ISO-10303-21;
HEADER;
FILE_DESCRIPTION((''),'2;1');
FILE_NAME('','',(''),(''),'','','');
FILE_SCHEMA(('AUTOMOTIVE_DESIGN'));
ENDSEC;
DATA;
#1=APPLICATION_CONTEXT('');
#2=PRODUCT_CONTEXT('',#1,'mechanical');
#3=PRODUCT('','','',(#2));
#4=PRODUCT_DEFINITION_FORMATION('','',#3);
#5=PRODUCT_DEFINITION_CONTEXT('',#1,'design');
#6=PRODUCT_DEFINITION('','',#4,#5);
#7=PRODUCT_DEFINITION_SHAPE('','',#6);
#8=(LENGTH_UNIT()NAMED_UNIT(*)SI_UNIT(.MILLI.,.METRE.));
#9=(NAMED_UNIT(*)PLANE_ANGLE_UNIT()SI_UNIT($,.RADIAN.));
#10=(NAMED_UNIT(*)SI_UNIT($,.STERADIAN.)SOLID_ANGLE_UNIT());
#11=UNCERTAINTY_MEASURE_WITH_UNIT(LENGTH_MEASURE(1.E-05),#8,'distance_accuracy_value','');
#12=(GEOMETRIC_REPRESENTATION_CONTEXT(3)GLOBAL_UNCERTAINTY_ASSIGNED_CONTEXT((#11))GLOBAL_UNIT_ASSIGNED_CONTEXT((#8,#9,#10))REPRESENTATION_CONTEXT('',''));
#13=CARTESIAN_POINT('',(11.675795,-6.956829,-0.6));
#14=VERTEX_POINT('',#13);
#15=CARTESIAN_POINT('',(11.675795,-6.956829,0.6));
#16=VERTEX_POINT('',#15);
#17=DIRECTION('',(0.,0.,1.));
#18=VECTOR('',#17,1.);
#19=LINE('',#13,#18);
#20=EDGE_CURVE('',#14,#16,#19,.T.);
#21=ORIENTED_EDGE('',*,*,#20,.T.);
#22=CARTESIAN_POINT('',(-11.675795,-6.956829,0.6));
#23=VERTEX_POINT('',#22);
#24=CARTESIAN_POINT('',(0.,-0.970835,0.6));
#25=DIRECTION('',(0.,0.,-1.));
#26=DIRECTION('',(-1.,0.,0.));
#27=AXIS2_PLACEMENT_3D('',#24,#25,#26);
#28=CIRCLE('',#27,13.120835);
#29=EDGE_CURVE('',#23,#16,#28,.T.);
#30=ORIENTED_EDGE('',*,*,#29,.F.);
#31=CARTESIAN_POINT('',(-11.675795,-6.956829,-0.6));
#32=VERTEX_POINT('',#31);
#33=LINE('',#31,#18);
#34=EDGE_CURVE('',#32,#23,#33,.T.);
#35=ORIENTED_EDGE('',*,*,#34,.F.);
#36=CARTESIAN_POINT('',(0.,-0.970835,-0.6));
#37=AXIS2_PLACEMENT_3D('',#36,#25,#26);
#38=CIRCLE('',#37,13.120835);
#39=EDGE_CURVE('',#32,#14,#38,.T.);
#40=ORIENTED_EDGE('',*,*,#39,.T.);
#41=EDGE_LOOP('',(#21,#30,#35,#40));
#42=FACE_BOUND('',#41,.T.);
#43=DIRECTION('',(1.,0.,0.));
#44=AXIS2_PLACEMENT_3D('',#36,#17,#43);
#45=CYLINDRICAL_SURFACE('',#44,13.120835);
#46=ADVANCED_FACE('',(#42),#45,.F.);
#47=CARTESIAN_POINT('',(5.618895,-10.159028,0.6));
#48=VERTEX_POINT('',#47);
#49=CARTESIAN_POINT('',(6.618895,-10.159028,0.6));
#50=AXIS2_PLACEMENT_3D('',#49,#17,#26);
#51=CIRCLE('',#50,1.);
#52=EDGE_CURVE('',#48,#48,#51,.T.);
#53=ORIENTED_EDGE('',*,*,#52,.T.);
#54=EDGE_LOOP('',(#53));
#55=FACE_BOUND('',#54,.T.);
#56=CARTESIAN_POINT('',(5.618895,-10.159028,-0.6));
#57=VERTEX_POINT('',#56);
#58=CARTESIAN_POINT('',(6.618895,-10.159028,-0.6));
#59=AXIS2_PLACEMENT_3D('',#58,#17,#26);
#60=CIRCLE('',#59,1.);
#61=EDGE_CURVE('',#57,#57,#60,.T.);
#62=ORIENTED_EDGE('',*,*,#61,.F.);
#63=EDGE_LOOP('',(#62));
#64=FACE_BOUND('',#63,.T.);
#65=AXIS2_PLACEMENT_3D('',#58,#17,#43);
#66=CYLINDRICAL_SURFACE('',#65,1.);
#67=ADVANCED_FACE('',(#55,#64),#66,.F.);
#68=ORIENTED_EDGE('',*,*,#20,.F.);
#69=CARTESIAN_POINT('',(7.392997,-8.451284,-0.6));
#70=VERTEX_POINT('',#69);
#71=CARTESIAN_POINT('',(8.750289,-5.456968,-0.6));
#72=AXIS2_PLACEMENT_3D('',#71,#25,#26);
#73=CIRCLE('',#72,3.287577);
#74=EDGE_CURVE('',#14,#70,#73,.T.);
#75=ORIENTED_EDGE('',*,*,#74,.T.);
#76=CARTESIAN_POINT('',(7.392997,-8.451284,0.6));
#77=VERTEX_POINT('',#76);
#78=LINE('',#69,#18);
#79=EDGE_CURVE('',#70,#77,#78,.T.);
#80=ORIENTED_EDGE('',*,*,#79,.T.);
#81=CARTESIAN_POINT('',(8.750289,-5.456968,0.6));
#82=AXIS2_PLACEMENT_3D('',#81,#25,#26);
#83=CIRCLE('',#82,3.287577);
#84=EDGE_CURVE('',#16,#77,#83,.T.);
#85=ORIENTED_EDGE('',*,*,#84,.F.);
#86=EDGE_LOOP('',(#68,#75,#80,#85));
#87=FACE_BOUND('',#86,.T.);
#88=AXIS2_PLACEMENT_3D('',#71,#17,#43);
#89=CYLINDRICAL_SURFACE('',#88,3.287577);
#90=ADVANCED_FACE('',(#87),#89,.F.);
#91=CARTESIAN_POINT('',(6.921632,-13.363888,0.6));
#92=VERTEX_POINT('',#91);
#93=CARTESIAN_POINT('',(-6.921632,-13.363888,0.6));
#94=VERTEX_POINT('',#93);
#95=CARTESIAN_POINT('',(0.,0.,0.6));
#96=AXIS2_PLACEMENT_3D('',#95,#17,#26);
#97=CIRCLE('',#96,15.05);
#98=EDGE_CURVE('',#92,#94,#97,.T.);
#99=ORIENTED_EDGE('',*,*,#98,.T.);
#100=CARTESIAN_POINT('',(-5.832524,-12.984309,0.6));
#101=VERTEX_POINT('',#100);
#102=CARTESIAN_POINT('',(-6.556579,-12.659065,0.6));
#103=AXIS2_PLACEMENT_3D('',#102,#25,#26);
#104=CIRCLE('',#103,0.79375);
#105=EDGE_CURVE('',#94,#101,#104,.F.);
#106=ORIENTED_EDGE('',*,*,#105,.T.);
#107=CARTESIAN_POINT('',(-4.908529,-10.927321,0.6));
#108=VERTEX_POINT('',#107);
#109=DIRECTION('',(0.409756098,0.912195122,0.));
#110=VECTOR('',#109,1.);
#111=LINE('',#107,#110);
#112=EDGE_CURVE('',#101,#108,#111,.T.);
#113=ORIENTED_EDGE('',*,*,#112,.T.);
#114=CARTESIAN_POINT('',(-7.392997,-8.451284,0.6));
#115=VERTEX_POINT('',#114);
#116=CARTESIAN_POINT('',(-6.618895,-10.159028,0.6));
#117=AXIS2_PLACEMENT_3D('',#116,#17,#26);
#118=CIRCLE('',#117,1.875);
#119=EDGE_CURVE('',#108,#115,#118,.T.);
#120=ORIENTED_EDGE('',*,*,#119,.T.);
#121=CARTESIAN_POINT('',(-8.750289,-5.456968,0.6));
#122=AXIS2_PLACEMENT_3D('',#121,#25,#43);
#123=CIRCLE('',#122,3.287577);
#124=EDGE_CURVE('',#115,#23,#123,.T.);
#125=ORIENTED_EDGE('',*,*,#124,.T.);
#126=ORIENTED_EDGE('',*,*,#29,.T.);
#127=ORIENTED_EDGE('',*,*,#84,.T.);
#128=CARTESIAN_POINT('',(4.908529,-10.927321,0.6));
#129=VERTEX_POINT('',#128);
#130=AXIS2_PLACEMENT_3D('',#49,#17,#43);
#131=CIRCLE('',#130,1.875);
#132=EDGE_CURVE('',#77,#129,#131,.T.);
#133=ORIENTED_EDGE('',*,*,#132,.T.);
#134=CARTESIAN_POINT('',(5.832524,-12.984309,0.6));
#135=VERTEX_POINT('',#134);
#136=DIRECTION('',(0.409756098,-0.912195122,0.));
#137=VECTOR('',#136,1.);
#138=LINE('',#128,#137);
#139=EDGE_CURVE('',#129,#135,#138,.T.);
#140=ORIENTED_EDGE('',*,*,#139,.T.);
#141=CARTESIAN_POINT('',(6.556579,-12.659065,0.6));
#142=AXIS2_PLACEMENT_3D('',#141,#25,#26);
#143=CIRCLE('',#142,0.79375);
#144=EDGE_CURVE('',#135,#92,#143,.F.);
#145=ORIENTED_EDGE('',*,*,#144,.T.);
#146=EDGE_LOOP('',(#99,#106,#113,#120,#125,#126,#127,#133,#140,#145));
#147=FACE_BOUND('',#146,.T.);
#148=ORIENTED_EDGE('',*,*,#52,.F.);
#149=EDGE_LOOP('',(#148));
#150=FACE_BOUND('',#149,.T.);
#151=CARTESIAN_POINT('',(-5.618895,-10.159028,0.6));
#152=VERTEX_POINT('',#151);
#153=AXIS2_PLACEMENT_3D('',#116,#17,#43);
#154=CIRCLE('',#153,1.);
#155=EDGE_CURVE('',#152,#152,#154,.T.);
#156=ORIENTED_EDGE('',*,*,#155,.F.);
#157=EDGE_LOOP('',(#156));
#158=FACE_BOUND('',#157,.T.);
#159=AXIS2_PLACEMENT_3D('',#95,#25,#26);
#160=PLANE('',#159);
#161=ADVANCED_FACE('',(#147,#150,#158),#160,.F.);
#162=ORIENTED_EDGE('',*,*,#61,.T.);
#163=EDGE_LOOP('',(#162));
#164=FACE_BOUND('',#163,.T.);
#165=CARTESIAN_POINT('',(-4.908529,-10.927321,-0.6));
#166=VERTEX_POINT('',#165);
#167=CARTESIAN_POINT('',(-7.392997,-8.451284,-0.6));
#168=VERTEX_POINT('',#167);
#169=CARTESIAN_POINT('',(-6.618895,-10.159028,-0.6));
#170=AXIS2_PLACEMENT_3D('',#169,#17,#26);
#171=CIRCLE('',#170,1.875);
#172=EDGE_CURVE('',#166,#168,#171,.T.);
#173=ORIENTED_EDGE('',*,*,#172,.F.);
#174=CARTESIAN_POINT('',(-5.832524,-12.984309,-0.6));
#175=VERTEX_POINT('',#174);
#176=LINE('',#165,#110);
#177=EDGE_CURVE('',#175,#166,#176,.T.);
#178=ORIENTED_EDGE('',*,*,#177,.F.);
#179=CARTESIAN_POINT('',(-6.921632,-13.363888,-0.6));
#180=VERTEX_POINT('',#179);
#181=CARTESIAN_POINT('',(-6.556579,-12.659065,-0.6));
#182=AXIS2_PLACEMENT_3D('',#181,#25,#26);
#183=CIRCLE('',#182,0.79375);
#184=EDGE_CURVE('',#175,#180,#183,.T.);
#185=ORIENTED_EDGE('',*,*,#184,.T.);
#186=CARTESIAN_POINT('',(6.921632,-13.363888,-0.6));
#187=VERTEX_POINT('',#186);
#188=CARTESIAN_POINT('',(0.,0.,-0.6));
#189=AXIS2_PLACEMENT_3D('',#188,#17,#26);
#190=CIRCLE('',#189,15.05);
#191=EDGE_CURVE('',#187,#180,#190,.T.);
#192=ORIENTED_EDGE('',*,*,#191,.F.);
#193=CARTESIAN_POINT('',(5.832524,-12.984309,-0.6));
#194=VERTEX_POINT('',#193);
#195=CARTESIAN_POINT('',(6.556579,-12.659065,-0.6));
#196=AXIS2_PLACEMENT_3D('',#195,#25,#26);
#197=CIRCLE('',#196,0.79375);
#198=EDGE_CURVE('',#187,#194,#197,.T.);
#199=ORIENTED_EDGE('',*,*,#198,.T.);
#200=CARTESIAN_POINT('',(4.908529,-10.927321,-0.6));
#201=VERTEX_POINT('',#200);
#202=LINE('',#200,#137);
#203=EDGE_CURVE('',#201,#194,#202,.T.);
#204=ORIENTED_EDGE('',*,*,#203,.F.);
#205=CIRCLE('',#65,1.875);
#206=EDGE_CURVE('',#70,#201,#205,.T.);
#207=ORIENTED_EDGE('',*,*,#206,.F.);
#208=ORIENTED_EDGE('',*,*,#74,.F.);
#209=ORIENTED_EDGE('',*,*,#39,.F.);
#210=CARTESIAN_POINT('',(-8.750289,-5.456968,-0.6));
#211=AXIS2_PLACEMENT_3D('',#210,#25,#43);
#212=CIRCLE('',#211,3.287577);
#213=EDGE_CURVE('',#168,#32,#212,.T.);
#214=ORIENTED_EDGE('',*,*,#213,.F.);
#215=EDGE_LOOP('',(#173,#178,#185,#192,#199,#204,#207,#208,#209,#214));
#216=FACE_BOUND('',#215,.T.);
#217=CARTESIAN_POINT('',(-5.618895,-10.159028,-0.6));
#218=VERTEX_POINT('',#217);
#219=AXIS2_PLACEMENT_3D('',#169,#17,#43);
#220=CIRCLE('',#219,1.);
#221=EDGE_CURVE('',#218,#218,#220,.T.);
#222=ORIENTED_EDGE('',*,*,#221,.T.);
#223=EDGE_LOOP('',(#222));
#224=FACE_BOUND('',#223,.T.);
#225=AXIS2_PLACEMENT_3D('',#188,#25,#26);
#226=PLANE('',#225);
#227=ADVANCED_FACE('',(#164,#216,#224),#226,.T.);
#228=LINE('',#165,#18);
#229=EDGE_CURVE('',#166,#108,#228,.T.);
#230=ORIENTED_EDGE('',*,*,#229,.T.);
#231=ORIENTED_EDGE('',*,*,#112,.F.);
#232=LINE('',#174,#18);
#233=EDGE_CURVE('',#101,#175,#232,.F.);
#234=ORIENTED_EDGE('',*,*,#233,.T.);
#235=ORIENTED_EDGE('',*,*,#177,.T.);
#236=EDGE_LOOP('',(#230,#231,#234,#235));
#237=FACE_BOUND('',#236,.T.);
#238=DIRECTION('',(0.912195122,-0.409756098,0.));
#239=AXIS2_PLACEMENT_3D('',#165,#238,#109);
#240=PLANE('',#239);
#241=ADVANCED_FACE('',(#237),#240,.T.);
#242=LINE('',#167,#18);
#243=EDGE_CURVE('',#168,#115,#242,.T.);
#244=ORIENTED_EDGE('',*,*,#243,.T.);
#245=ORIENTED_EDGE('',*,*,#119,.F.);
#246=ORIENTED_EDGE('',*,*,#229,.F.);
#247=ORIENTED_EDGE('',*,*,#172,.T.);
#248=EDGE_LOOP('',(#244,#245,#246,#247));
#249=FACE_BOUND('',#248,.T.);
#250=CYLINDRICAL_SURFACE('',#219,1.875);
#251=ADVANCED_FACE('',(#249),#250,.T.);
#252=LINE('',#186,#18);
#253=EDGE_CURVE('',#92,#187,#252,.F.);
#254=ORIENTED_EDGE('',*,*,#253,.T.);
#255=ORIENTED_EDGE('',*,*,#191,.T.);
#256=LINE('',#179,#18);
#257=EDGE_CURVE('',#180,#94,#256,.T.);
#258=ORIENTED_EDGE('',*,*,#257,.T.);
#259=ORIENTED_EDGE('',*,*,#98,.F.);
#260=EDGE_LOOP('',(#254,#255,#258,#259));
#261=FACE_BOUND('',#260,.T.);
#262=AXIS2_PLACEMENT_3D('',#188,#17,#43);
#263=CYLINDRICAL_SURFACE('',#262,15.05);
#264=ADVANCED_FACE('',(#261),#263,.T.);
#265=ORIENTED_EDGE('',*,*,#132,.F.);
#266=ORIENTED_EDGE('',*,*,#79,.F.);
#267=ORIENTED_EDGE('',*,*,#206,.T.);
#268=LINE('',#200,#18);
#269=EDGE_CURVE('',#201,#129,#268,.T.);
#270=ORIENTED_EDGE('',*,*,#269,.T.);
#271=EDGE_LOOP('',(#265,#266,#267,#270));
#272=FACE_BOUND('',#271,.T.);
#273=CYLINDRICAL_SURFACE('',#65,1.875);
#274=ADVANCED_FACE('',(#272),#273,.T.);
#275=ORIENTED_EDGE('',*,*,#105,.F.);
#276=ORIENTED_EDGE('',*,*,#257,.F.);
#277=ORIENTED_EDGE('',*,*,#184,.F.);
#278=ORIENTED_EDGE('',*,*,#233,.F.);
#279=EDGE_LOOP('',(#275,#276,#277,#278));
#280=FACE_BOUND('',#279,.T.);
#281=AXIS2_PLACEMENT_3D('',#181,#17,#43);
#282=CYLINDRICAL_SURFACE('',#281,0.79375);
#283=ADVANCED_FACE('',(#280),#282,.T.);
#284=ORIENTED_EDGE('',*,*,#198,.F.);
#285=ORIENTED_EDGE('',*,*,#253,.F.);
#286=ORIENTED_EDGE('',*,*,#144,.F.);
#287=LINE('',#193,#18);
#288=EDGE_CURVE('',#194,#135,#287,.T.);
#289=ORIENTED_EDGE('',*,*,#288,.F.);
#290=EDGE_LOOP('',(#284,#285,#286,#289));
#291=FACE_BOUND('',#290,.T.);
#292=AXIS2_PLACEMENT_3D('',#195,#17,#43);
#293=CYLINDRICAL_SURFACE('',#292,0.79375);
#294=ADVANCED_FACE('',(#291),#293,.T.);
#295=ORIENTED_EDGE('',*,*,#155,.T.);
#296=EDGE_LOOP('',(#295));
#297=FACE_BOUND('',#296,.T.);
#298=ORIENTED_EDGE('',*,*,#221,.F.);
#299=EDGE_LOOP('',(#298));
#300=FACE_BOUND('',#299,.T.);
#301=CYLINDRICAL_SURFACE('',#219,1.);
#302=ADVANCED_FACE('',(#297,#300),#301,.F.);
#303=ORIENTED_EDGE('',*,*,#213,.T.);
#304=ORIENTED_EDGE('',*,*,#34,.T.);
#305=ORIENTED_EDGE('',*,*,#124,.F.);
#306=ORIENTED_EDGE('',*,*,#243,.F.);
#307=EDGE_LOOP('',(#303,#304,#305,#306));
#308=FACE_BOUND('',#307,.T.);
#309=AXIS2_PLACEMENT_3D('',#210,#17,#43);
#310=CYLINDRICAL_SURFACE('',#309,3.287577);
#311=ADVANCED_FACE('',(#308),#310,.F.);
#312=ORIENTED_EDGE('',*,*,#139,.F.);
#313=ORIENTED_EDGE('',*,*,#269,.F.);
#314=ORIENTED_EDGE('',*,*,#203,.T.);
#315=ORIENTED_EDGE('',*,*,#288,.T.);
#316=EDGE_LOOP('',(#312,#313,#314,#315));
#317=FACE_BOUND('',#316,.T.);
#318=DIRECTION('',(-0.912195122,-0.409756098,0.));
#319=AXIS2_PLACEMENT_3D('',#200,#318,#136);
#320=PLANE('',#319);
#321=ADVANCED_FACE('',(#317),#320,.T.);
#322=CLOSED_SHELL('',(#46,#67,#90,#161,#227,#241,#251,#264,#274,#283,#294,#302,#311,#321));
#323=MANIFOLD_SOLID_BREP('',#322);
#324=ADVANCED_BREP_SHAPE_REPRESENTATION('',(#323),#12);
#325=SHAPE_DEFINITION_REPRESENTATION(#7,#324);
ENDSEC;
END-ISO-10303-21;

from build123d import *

# Parameters (mm, degrees)
SKETCH3_R                = 1
BOSS_EXTRUDE1_DEPTH      = 0.6
BOSS_EXTRUDE1_DEPTH_BACK = 0.6
FILLET1_R                = 0.79375


with BuildPart() as part:
    # Sketch3 → Boss-Extrude1 (new body, two sides)
    with BuildSketch(Plane.XY) as boss_extrude1_sk:
        with BuildLine():
            Line((-4.908529162, -10.927320873), (-6.166829268, -13.728536585))
            ThreePointArc((-6.166829268, -13.728536585), (0, 15.05), (6.166829268, -13.728536585))
            Line((6.166829268, -13.728536585), (4.908529162, -10.927320873))
            ThreePointArc((4.908529162, -10.927320873), (5.295325192, -8.830951414), (7.392997394, -8.451283915))
            ThreePointArc((7.392997394, -8.451283915), (9.833420056, -8.560996803), (11.675794705, -6.956828689))
            ThreePointArc((11.675794705, -6.956828689), (0, 12.15), (-11.675794705, -6.956828689))
            ThreePointArc((-11.675794705, -6.956828689), (-9.833420056, -8.560996803), (-7.392997394, -8.451283915))
            ThreePointArc((-7.392997394, -8.451283915), (-5.295325192, -8.830951414), (-4.908529162, -10.927320873))
        make_face()
        with Locations((-6.618895016, -10.15902819)):
            Circle(SKETCH3_R, mode=Mode.SUBTRACT)
        with Locations((6.618895016, -10.15902819)):
            Circle(SKETCH3_R, mode=Mode.SUBTRACT)
    extrude(amount=BOSS_EXTRUDE1_DEPTH)
    extrude(boss_extrude1_sk.sketch, amount=-BOSS_EXTRUDE1_DEPTH_BACK)

    # Fillet1
    fillet1_edges = [part.edges().sort_by_distance(p)[0] for p in [
        (6.166829268, -13.728536585, 0),
        (-6.166829268, -13.728536585, 0),
    ]]
    fillet(fillet1_edges, radius=FILLET1_R)


solid = part.part
